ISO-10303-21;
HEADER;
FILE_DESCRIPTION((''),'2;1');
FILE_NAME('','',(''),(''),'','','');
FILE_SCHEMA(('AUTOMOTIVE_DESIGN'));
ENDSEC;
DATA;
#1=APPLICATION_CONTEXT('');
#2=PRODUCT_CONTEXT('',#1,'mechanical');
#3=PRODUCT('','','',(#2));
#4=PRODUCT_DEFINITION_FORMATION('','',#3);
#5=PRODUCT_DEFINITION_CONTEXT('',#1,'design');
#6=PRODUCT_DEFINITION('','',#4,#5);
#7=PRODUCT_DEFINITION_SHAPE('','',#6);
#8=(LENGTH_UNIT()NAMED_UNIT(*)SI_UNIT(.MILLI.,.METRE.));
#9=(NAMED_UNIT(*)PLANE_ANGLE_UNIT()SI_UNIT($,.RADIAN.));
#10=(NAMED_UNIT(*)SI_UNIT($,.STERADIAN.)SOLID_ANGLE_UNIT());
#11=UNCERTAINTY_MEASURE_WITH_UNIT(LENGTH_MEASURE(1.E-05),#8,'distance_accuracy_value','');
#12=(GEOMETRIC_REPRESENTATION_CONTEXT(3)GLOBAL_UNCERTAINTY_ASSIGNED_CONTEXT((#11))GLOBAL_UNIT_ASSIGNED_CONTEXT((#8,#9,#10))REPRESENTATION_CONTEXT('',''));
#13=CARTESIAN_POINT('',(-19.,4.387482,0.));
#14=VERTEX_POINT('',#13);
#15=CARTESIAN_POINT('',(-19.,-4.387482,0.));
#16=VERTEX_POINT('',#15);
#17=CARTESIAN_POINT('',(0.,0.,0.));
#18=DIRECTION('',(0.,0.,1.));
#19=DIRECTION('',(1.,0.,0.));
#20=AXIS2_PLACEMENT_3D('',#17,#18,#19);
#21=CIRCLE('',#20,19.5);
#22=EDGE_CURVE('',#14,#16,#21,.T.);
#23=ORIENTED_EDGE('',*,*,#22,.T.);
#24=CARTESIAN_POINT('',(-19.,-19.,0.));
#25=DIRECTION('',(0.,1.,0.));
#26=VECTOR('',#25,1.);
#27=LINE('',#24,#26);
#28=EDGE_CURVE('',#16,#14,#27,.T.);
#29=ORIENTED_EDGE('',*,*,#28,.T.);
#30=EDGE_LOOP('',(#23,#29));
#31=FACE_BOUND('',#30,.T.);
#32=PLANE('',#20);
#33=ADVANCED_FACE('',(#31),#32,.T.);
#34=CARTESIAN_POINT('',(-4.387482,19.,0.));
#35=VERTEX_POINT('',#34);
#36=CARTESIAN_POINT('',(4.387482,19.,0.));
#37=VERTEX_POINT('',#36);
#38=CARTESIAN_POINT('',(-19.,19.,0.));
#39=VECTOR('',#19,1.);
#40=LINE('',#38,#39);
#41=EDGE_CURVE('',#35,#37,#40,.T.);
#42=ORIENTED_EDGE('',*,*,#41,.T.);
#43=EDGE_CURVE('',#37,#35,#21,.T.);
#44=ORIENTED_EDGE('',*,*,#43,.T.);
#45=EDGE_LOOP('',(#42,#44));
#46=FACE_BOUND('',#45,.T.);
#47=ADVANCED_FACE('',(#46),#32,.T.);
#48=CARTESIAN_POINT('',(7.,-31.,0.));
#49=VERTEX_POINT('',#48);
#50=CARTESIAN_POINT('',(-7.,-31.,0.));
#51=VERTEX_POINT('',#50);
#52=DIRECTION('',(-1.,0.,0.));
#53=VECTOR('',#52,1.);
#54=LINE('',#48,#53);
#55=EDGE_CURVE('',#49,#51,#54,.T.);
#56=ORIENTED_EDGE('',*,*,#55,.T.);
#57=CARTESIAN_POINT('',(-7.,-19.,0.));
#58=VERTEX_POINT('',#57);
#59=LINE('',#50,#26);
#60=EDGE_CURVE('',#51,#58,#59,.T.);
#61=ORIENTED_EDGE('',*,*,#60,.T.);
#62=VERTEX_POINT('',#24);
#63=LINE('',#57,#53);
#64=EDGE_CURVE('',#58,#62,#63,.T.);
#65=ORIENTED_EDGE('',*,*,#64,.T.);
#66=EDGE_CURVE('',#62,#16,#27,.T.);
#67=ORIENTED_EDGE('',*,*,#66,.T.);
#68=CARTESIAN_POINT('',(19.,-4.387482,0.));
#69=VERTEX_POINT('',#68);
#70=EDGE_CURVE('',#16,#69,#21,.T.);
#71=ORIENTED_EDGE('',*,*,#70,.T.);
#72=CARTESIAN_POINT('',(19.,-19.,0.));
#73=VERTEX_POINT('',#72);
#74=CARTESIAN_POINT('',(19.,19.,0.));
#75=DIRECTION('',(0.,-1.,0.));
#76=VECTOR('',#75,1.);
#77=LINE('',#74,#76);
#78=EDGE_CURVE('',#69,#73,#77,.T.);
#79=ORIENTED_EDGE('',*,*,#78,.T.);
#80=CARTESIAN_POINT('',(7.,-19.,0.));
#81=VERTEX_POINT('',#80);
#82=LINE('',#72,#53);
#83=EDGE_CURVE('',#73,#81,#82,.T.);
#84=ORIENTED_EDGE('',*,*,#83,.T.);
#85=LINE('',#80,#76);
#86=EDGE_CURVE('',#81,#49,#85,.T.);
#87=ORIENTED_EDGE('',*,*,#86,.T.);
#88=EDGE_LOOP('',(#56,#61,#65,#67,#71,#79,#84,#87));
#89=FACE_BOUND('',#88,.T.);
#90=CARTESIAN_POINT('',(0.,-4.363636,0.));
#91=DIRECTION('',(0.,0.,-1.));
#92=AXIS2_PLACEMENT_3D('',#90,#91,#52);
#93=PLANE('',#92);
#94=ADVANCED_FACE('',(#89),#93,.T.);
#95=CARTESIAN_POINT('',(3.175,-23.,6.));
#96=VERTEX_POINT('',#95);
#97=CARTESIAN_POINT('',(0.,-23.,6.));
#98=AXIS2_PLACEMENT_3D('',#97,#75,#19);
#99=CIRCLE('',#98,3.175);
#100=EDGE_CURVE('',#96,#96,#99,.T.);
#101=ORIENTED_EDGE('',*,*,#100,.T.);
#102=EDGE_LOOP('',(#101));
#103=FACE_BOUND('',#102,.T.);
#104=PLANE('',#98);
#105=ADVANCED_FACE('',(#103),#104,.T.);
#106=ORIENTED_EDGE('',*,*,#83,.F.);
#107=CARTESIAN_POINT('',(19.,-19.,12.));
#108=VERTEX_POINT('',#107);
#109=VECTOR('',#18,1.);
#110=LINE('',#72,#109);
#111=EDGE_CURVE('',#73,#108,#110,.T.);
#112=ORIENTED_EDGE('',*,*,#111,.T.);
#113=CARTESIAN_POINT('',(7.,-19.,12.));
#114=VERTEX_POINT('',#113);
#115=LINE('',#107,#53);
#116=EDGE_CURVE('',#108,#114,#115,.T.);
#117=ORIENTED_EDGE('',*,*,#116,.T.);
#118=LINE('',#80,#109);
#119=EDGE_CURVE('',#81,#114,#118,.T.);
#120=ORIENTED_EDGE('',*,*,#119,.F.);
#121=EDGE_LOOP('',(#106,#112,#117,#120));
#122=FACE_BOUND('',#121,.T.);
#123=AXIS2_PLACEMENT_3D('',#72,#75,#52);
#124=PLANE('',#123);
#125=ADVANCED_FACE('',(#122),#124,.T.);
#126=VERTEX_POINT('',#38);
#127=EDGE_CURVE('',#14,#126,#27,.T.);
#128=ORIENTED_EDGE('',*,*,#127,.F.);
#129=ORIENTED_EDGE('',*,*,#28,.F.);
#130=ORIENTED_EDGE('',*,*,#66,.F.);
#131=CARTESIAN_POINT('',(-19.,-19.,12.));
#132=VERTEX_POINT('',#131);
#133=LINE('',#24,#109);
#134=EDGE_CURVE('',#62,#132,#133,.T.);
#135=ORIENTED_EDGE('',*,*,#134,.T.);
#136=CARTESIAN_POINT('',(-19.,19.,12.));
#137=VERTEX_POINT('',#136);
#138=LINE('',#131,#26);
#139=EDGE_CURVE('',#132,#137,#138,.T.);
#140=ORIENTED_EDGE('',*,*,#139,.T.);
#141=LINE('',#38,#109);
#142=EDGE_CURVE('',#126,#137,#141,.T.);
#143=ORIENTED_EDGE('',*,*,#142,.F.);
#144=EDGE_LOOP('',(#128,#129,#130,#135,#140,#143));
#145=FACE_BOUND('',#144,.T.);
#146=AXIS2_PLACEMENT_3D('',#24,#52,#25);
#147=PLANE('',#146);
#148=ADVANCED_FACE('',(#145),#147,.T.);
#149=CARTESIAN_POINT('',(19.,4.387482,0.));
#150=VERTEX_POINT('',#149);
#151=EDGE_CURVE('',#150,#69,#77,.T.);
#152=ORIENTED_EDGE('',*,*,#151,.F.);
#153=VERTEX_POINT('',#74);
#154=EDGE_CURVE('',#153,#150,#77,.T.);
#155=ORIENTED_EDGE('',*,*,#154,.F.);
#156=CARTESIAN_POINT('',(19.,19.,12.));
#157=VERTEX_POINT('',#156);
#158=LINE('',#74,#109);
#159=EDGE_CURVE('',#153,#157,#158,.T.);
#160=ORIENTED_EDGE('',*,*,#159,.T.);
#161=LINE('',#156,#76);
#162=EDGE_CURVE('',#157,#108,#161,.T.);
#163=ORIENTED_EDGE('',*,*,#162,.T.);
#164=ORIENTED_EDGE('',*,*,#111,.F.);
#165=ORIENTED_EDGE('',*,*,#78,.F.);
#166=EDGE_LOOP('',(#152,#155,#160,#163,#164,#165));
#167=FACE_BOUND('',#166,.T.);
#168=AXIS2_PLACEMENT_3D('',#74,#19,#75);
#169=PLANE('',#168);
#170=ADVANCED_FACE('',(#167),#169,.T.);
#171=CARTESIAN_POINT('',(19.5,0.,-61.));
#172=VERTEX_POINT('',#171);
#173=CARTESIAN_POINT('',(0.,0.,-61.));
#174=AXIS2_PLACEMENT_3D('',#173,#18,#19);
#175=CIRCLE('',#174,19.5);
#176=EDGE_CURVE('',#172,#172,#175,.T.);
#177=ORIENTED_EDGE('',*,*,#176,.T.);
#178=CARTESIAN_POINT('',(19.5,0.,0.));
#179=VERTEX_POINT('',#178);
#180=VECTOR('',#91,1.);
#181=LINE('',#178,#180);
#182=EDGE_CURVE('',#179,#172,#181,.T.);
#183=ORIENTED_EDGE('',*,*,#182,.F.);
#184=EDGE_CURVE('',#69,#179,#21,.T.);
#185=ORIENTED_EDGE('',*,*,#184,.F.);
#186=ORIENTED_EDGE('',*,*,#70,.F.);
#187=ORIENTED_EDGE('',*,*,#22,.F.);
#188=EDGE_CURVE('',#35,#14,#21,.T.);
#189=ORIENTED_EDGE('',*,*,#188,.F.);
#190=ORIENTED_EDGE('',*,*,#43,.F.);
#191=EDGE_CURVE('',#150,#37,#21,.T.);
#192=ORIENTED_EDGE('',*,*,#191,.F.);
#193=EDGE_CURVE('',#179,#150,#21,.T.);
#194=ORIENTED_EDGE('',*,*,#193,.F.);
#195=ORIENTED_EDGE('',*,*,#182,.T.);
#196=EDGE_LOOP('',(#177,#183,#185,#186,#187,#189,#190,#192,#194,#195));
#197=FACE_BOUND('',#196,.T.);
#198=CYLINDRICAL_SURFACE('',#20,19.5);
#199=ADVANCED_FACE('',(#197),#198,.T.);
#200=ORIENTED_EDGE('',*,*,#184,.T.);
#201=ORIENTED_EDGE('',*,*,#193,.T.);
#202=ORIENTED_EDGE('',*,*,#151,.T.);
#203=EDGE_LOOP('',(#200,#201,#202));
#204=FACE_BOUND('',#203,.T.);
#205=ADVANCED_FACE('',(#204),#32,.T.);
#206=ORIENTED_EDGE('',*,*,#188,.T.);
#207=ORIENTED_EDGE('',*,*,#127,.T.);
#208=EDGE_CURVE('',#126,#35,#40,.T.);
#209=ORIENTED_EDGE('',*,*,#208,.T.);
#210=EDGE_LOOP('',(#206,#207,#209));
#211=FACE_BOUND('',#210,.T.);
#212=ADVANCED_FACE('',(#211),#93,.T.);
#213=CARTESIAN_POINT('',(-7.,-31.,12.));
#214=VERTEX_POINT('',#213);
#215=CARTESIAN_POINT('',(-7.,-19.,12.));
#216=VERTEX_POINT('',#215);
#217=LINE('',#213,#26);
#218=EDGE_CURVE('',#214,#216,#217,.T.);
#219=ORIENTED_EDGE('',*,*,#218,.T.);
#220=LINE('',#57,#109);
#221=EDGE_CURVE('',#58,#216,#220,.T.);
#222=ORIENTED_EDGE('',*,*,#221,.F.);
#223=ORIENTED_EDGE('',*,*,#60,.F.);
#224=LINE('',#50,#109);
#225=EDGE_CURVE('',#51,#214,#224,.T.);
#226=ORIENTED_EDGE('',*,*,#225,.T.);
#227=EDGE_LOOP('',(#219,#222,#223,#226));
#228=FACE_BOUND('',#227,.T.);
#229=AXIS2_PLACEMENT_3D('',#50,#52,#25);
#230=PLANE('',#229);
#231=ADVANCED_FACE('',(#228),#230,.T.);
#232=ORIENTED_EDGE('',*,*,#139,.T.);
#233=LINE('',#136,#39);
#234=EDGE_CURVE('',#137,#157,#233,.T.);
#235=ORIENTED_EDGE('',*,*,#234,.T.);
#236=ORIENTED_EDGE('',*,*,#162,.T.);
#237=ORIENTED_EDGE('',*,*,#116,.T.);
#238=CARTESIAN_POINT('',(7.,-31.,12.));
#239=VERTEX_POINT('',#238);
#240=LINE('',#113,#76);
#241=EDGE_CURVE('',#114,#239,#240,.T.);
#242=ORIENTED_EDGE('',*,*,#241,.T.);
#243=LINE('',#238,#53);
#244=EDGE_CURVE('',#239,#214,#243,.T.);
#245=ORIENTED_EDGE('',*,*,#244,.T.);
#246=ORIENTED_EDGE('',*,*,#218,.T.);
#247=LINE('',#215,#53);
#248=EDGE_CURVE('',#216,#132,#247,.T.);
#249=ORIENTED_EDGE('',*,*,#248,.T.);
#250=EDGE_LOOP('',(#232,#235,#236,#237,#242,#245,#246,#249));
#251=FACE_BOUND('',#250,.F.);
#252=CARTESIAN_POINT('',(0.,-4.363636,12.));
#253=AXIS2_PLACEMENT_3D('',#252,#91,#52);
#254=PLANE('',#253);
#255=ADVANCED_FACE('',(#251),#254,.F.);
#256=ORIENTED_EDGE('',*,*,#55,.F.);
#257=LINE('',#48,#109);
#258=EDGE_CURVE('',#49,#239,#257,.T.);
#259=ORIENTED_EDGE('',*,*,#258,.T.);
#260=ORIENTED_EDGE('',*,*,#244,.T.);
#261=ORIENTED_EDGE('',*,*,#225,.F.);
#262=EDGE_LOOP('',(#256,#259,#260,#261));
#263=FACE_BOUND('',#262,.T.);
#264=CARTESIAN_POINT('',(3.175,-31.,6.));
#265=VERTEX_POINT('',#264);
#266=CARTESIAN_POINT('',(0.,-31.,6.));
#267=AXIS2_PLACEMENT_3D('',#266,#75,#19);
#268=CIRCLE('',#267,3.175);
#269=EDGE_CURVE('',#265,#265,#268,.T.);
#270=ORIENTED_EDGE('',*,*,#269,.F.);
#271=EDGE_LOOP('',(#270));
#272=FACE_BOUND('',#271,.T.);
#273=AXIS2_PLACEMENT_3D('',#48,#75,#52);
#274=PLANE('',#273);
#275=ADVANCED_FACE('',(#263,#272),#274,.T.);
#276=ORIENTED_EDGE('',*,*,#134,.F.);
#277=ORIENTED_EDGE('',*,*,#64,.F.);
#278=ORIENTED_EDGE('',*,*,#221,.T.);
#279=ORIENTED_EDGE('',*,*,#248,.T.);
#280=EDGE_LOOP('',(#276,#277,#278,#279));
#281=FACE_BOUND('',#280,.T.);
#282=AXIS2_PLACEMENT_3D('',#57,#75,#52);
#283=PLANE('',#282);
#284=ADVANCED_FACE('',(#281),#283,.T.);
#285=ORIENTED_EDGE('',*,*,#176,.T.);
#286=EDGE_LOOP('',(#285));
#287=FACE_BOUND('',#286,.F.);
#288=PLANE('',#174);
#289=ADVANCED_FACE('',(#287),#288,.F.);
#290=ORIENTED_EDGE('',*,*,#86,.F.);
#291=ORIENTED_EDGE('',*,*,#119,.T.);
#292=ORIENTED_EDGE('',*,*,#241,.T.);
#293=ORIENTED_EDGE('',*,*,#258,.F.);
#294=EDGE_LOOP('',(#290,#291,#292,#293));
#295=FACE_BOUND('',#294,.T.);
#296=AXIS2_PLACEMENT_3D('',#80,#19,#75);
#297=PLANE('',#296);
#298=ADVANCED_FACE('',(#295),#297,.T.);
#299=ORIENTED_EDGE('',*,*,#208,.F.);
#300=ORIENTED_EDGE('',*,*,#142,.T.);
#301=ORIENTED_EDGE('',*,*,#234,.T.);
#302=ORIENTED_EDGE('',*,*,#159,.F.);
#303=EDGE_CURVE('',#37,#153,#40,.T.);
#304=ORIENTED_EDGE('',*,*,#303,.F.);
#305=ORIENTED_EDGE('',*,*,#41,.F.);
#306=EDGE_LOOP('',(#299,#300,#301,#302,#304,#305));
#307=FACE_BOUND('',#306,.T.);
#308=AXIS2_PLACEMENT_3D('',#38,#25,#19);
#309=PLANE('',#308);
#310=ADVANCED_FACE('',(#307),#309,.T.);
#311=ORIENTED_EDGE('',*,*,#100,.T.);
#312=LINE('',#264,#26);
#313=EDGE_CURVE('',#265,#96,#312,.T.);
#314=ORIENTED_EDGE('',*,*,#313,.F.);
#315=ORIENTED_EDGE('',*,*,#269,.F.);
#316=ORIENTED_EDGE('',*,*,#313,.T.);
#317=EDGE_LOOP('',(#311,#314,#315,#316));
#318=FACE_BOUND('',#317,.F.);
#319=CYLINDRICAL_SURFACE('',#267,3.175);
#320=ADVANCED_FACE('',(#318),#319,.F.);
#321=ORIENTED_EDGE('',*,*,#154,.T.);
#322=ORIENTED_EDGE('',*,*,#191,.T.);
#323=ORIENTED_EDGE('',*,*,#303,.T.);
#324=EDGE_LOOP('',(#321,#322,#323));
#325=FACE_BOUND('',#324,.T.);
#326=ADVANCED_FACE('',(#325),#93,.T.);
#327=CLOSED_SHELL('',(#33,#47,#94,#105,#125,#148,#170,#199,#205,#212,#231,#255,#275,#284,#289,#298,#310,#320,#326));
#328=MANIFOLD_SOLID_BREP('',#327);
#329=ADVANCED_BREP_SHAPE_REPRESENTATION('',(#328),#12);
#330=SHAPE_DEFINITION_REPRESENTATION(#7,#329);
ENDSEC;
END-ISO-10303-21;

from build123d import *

# Parameters (mm, degrees)
PAD_DEPTH    = 12
SKETCH001_R  = 19.5
PAD001_DEPTH = 61
SKETCH002_R  = 3.175
POCKET_DEPTH = 8


with BuildPart() as part:
    # Sketch → Pad (new body)
    with BuildSketch(Plane.XY):
        Polygon((-19, 19), (19, 19), (19, -19), (7, -19), (7, -31), (-7, -31), (-7, -19), (-19, -19), align=None)
    extrude(amount=PAD_DEPTH)

    # Sketch001 → Pad001 (join)
    with BuildSketch(Plane.XY):
        Circle(SKETCH001_R)
    extrude(amount=-PAD001_DEPTH)

    # Sketch002 (on Face6 of Pad001) → Pocket (cut)
    with BuildSketch(Plane.XZ.offset(31)):
        with Locations((0, 6)):
            Circle(SKETCH002_R)
    extrude(amount=-POCKET_DEPTH, mode=Mode.SUBTRACT)


solid = part.part
